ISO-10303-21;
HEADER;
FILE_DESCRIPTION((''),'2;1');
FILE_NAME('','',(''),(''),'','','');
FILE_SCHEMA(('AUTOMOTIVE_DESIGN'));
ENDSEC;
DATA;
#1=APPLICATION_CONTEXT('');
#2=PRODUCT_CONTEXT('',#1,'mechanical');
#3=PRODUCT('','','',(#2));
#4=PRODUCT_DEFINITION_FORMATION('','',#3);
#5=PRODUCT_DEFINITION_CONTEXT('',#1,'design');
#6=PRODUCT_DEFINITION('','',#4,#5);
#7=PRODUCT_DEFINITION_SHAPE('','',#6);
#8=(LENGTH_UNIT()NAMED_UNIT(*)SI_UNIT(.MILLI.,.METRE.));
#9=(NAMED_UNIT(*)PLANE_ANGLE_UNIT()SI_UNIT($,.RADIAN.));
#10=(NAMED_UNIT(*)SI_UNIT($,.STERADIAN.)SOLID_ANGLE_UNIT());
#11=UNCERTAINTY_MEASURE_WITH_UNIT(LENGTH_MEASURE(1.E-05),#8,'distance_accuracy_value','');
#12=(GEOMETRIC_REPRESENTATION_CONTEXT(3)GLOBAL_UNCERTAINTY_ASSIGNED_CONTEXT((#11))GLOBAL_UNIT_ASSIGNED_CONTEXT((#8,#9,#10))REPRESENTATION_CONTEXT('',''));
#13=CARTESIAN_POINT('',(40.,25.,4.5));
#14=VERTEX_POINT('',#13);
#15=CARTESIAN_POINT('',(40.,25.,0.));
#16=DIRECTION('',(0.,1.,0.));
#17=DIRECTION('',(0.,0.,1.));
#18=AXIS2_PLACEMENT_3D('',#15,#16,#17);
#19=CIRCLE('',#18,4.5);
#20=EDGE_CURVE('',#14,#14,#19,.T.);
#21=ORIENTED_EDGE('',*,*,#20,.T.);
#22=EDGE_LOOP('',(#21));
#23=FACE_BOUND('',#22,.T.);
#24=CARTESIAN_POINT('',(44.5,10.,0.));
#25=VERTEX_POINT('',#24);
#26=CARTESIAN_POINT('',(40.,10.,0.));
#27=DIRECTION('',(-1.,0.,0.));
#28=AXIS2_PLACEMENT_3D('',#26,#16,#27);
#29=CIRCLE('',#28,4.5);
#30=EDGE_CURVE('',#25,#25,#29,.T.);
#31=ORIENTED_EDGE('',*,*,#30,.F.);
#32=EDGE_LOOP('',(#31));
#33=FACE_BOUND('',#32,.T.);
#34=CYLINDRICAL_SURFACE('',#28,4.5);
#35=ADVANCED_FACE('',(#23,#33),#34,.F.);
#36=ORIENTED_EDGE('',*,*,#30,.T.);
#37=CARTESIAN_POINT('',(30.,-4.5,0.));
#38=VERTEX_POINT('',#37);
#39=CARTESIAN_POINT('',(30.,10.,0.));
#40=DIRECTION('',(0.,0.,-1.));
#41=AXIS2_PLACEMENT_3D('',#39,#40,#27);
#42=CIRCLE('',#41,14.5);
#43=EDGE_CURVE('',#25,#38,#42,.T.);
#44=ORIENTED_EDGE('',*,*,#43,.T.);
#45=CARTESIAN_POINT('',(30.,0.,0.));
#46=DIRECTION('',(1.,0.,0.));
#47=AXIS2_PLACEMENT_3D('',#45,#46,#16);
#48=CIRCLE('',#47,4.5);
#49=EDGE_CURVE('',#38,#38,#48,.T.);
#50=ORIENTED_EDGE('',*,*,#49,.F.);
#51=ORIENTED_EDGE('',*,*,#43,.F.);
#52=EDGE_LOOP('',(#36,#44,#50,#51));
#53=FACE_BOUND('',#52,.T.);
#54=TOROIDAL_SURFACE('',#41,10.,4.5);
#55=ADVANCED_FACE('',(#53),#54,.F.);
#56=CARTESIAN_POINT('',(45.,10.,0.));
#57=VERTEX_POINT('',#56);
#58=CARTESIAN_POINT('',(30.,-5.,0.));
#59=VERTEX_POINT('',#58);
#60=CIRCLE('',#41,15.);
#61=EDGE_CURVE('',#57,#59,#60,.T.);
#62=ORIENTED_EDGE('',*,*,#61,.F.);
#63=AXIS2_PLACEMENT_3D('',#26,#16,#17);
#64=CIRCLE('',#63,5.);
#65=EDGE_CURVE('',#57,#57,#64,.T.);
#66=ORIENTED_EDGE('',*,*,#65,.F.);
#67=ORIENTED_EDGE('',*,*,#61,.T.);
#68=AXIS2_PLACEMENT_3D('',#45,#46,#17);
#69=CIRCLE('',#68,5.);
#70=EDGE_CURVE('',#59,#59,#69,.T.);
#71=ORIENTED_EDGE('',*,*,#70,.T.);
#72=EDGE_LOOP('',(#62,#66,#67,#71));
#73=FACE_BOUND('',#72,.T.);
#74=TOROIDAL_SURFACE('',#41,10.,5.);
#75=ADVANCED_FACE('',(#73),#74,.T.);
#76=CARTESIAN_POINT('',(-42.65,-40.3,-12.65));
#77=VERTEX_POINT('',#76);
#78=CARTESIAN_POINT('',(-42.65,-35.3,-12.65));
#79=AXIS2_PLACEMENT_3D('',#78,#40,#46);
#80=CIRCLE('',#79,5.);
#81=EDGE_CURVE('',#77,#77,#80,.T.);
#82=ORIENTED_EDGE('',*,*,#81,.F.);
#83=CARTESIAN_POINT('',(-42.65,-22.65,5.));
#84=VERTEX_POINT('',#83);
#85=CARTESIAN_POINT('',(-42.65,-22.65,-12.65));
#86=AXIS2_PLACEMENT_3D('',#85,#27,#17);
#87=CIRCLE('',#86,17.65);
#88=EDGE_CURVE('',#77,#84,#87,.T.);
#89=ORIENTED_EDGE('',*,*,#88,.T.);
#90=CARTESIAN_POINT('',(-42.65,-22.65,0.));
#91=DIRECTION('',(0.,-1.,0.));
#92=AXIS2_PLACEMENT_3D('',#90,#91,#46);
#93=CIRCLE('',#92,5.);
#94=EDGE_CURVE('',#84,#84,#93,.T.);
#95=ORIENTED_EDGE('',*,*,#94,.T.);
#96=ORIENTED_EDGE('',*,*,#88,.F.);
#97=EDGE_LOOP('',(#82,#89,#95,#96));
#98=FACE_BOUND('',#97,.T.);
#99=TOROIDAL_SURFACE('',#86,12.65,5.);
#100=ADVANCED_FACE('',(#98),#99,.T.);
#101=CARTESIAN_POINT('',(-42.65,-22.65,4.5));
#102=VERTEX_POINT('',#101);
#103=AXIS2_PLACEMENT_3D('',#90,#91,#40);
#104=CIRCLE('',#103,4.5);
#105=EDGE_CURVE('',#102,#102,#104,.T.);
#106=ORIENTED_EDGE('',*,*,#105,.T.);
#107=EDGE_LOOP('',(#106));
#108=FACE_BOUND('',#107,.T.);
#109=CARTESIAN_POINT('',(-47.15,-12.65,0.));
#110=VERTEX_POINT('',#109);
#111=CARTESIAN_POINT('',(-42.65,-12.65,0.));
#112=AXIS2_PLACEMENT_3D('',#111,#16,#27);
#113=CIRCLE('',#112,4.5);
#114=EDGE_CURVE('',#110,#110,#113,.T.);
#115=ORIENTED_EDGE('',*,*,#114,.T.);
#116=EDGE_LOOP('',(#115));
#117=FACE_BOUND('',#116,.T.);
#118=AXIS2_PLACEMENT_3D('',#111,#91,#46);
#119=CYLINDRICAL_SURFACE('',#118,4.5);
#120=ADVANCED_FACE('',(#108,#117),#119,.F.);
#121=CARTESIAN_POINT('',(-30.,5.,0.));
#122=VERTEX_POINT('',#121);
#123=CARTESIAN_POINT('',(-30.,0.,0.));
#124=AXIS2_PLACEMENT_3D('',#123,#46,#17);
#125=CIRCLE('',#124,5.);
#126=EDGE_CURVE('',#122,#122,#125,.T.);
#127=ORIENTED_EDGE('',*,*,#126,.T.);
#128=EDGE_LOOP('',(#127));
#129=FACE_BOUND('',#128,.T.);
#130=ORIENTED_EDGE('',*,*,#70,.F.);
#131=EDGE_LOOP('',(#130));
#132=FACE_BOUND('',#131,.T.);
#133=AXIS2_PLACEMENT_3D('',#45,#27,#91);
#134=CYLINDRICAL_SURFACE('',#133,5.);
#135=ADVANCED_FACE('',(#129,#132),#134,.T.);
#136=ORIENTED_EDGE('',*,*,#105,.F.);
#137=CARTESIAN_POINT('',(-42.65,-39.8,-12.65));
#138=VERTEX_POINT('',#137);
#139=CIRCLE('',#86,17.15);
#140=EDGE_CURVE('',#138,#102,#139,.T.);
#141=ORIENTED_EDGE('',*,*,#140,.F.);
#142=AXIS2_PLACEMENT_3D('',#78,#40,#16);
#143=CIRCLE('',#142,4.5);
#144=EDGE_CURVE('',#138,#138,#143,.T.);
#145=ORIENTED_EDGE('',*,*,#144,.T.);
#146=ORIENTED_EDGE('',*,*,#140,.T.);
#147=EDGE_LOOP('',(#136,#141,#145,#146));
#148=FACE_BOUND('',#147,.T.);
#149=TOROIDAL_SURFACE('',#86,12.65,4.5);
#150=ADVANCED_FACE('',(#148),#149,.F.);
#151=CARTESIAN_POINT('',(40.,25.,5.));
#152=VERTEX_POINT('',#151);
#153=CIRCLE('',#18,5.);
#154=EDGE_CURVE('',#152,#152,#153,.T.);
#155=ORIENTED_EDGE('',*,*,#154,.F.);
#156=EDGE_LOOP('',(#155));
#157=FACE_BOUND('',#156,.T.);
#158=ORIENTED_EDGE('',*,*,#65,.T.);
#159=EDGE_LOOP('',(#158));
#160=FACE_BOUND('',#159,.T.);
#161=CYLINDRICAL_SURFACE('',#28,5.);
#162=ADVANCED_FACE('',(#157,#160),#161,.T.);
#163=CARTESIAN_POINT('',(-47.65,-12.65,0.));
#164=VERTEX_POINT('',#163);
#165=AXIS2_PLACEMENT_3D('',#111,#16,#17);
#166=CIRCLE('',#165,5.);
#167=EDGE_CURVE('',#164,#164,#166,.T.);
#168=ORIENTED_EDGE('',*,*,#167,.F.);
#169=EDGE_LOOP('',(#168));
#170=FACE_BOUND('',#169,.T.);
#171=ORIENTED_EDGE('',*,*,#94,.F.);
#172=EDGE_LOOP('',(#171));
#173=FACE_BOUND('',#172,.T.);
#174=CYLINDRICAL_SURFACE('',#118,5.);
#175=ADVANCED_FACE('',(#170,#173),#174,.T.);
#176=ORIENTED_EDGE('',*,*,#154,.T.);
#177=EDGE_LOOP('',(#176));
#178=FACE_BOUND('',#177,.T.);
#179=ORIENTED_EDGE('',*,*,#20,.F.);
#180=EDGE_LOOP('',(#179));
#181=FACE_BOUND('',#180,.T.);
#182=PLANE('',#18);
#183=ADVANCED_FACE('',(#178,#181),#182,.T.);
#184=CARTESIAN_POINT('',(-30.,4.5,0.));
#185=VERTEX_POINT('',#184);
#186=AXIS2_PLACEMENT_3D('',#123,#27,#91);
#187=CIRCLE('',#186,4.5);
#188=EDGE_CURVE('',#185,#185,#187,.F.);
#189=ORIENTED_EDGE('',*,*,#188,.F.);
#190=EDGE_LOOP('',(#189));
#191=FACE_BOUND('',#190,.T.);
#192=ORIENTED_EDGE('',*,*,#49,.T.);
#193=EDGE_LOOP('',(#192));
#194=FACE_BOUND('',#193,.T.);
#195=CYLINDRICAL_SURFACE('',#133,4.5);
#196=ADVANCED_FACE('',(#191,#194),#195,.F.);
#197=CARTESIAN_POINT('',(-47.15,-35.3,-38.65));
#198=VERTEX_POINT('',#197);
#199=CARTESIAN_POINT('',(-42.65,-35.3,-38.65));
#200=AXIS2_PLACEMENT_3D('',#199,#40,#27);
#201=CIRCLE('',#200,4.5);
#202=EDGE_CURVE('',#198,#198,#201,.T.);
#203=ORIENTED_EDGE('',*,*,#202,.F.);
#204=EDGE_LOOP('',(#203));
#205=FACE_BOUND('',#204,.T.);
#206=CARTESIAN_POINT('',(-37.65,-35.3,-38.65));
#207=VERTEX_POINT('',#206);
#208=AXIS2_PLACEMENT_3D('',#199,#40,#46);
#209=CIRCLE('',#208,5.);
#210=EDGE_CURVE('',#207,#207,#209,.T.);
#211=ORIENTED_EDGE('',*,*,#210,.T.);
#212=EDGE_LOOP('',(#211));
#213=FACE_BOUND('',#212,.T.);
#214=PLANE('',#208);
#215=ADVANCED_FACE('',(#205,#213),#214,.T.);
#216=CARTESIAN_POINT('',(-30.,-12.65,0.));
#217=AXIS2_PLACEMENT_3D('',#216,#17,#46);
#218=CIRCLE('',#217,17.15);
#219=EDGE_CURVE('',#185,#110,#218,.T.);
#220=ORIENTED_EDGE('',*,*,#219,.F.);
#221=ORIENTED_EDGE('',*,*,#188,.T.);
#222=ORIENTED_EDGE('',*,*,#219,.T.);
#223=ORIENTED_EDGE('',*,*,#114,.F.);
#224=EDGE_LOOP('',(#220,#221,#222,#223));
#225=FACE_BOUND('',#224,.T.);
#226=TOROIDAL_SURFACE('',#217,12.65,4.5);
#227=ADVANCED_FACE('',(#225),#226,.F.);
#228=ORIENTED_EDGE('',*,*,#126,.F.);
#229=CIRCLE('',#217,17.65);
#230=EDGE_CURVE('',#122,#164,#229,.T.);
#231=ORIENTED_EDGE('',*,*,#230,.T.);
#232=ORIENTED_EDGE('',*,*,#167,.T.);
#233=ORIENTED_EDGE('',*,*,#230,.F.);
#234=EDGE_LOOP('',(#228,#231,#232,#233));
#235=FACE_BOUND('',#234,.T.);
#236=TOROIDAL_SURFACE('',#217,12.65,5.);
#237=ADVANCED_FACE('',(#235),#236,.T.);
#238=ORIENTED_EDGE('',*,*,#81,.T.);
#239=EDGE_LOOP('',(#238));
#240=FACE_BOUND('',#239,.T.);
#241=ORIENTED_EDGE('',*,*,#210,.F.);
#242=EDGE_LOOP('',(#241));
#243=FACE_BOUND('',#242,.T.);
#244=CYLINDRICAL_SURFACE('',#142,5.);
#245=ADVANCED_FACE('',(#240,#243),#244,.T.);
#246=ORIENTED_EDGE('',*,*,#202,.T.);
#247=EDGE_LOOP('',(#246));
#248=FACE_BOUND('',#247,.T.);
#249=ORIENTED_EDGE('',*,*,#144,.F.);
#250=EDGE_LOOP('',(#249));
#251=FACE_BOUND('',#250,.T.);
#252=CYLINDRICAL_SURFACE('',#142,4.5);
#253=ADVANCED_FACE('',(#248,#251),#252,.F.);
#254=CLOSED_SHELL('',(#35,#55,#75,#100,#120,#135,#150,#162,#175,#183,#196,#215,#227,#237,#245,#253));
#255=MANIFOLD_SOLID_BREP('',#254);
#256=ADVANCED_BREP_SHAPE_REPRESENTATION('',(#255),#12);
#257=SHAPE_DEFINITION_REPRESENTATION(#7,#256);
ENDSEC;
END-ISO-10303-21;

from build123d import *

# Parameters (mm, degrees)
SKETCH2_R = 5
SKETCH5_R = 5
SHELL1_T  = -0.5


with BuildPart() as part:
    # Sweep1: sweep along a path in Sketch1
    with BuildLine(Plane.XY) as sweep1_path:
        Line((40, 25), (40, 10))
        ThreePointArc((40, 10), (37.071067812, 2.928932188), (30, 0))
        Line((30, 0), (-30, 0))
        ThreePointArc((-30, 0), (-38.944900782, -3.705099218), (-42.65, -12.65))
        Line((-42.65, -12.65), (-42.65, -22.65))
    # Sketch2 → Sweep1 (sweep)
    with BuildSketch(Plane(origin=(0, 25, 0), x_dir=(1, 0, 0), z_dir=(0, 1, 0))):
        with Locations((40, 0)):
            Circle(SKETCH2_R)
    sweep(path=sweep1_path.line)

    # Sweep2: sweep along a path in Sketch4
    with BuildLine(Plane(origin=(-42.65, 0, 0), x_dir=(0, 0, -1), z_dir=(1, 0, 0))) as sweep2_path:
        ThreePointArc((0, -22.65), (3.705099218, -31.594900782), (12.65, -35.3))
        Line((12.65, -35.3), (38.65, -35.3))
    # Sketch5 → Sweep2 (sweep)
    with BuildSketch(Plane.XZ.offset(22.65)):
        with Locations((-42.65, 0)):
            Circle(SKETCH5_R)
    sweep(path=sweep2_path.line)

    # Shell1
    shell1_openings = [part.faces().sort_by_distance(p)[0] for p in [
        (-42.65, -35.3, -38.65),
        (40, 25, 0),
    ]]
    offset(amount=SHELL1_T, openings=shell1_openings, kind=Kind.INTERSECTION)


solid = part.part
